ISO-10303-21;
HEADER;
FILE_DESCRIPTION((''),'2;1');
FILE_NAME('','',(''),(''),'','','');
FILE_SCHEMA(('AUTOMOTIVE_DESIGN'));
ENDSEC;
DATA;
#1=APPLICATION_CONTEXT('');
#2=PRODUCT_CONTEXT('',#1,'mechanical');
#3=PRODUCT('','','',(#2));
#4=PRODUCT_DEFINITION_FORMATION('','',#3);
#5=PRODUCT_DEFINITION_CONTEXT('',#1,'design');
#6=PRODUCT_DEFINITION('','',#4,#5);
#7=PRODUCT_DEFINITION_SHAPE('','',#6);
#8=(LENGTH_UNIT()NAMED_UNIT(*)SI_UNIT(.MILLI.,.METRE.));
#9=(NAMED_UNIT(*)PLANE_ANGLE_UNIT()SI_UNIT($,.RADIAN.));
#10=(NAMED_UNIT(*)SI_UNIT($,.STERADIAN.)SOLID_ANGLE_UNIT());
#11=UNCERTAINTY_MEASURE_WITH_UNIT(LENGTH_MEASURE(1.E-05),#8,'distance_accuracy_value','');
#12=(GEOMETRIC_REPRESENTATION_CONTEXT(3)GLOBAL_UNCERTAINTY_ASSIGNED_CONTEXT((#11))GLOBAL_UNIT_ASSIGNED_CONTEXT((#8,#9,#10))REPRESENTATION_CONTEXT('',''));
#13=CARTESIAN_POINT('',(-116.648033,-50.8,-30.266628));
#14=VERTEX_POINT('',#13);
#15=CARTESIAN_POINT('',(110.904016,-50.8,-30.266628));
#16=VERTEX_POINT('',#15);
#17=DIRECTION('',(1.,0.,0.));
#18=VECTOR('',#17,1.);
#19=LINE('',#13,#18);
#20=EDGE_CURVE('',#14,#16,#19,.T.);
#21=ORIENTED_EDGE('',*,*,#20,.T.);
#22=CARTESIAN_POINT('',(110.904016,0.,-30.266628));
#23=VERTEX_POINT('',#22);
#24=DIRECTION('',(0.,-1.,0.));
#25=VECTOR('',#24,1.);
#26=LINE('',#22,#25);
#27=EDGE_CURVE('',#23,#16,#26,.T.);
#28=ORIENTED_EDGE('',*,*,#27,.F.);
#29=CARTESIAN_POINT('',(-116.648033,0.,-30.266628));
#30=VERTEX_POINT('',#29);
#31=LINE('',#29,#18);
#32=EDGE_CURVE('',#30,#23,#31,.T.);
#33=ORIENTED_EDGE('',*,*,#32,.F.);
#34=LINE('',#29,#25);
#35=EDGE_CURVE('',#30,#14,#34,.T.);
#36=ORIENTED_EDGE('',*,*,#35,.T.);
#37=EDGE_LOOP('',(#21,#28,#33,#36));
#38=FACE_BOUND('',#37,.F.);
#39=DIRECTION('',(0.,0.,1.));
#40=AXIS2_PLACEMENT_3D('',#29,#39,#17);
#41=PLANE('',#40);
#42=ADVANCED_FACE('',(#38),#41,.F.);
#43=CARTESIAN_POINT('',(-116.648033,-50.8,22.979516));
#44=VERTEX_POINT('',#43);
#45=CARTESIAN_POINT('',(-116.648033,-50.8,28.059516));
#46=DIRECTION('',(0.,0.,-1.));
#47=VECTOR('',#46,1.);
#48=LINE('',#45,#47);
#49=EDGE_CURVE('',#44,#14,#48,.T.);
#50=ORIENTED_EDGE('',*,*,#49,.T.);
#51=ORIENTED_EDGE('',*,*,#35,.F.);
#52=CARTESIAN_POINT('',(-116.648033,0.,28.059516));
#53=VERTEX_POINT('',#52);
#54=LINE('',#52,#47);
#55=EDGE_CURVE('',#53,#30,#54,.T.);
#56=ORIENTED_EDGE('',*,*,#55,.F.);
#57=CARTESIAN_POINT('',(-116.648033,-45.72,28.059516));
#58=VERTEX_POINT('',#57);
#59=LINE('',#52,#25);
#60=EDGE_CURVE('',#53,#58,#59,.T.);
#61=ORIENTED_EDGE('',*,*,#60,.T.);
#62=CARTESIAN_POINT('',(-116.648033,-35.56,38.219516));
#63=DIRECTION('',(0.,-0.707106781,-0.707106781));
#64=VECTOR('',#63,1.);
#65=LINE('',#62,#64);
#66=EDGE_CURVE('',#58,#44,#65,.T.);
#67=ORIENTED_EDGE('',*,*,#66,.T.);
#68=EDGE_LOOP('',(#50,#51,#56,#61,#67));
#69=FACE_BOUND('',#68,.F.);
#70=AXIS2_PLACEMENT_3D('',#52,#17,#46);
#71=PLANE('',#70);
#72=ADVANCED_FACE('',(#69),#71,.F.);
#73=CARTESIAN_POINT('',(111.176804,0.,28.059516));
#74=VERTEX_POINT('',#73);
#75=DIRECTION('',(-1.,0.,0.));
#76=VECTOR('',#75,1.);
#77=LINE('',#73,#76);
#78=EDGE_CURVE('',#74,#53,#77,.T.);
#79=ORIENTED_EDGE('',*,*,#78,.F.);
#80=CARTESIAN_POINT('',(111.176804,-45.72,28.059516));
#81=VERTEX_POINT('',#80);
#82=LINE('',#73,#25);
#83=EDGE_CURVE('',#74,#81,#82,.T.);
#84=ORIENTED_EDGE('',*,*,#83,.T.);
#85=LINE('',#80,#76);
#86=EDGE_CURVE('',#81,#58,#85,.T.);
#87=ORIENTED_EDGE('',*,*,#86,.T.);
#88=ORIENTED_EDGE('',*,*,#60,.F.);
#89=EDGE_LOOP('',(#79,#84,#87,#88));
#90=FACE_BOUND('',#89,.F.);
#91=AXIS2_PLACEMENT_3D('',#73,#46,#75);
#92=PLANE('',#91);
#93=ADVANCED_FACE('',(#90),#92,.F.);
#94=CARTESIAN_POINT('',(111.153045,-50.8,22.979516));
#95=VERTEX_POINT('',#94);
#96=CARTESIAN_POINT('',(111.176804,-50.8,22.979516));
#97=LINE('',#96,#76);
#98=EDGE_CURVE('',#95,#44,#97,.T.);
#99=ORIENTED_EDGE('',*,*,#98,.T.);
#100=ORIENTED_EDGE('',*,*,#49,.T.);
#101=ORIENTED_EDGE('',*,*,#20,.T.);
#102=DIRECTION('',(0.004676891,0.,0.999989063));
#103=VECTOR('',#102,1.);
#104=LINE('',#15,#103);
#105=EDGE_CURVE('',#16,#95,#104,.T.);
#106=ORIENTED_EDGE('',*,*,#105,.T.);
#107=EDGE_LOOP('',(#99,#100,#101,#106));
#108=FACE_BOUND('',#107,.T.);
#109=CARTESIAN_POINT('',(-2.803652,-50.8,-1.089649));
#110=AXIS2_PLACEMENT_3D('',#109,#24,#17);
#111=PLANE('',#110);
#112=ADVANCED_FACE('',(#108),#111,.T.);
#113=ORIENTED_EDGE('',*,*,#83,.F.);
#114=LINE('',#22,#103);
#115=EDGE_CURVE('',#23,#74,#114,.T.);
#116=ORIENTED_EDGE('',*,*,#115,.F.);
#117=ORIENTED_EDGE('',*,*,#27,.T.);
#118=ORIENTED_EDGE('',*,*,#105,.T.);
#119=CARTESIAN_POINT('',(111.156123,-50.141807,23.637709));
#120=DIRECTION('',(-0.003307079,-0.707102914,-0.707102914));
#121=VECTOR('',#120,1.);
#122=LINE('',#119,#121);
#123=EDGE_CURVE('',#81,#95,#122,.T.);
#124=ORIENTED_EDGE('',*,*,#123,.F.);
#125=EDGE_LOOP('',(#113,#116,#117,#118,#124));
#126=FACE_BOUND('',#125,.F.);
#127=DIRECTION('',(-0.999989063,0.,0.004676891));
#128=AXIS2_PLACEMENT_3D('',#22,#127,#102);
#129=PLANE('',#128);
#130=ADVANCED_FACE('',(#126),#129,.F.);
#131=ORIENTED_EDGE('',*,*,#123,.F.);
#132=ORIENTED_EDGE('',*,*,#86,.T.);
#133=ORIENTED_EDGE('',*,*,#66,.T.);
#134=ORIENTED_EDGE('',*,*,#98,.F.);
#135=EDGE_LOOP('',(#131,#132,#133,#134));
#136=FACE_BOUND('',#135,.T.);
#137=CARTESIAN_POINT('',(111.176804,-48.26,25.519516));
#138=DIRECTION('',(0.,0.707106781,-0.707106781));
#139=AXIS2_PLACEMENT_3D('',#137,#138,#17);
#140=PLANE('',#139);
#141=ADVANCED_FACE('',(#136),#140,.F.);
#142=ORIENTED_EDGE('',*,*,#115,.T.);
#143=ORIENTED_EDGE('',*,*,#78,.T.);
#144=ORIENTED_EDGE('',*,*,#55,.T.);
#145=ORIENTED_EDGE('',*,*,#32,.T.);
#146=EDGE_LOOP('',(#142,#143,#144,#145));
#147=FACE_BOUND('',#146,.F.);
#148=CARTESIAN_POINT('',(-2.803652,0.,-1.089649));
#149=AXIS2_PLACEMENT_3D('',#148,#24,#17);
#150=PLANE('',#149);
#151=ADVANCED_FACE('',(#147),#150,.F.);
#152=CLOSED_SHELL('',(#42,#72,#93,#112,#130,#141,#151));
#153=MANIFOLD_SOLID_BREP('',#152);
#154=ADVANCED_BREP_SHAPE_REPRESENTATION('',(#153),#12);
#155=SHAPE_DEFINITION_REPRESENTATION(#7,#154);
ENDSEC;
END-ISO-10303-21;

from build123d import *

# Parameters (mm, degrees)
F1_DEPTH = 50.8
F2_SIZE  = 5.08


with BuildPart() as f1:
    # F0 (on Front) → F1 (new body)
    with BuildSketch(Plane.XZ):
        Polygon((-116.648033, 28.059516), (-116.648033, -30.266628), (110.904016, -30.266628), (111.176804, 28.059516), align=None)
    extrude(amount=F1_DEPTH)

    # F2
    f2_edges = [f1.edges().sort_by_distance(p)[0] for p in [
        (-2.735615, -50.8, 28.059516),
    ]]
    chamfer(f2_edges, length=F2_SIZE)


solid = f1.part
